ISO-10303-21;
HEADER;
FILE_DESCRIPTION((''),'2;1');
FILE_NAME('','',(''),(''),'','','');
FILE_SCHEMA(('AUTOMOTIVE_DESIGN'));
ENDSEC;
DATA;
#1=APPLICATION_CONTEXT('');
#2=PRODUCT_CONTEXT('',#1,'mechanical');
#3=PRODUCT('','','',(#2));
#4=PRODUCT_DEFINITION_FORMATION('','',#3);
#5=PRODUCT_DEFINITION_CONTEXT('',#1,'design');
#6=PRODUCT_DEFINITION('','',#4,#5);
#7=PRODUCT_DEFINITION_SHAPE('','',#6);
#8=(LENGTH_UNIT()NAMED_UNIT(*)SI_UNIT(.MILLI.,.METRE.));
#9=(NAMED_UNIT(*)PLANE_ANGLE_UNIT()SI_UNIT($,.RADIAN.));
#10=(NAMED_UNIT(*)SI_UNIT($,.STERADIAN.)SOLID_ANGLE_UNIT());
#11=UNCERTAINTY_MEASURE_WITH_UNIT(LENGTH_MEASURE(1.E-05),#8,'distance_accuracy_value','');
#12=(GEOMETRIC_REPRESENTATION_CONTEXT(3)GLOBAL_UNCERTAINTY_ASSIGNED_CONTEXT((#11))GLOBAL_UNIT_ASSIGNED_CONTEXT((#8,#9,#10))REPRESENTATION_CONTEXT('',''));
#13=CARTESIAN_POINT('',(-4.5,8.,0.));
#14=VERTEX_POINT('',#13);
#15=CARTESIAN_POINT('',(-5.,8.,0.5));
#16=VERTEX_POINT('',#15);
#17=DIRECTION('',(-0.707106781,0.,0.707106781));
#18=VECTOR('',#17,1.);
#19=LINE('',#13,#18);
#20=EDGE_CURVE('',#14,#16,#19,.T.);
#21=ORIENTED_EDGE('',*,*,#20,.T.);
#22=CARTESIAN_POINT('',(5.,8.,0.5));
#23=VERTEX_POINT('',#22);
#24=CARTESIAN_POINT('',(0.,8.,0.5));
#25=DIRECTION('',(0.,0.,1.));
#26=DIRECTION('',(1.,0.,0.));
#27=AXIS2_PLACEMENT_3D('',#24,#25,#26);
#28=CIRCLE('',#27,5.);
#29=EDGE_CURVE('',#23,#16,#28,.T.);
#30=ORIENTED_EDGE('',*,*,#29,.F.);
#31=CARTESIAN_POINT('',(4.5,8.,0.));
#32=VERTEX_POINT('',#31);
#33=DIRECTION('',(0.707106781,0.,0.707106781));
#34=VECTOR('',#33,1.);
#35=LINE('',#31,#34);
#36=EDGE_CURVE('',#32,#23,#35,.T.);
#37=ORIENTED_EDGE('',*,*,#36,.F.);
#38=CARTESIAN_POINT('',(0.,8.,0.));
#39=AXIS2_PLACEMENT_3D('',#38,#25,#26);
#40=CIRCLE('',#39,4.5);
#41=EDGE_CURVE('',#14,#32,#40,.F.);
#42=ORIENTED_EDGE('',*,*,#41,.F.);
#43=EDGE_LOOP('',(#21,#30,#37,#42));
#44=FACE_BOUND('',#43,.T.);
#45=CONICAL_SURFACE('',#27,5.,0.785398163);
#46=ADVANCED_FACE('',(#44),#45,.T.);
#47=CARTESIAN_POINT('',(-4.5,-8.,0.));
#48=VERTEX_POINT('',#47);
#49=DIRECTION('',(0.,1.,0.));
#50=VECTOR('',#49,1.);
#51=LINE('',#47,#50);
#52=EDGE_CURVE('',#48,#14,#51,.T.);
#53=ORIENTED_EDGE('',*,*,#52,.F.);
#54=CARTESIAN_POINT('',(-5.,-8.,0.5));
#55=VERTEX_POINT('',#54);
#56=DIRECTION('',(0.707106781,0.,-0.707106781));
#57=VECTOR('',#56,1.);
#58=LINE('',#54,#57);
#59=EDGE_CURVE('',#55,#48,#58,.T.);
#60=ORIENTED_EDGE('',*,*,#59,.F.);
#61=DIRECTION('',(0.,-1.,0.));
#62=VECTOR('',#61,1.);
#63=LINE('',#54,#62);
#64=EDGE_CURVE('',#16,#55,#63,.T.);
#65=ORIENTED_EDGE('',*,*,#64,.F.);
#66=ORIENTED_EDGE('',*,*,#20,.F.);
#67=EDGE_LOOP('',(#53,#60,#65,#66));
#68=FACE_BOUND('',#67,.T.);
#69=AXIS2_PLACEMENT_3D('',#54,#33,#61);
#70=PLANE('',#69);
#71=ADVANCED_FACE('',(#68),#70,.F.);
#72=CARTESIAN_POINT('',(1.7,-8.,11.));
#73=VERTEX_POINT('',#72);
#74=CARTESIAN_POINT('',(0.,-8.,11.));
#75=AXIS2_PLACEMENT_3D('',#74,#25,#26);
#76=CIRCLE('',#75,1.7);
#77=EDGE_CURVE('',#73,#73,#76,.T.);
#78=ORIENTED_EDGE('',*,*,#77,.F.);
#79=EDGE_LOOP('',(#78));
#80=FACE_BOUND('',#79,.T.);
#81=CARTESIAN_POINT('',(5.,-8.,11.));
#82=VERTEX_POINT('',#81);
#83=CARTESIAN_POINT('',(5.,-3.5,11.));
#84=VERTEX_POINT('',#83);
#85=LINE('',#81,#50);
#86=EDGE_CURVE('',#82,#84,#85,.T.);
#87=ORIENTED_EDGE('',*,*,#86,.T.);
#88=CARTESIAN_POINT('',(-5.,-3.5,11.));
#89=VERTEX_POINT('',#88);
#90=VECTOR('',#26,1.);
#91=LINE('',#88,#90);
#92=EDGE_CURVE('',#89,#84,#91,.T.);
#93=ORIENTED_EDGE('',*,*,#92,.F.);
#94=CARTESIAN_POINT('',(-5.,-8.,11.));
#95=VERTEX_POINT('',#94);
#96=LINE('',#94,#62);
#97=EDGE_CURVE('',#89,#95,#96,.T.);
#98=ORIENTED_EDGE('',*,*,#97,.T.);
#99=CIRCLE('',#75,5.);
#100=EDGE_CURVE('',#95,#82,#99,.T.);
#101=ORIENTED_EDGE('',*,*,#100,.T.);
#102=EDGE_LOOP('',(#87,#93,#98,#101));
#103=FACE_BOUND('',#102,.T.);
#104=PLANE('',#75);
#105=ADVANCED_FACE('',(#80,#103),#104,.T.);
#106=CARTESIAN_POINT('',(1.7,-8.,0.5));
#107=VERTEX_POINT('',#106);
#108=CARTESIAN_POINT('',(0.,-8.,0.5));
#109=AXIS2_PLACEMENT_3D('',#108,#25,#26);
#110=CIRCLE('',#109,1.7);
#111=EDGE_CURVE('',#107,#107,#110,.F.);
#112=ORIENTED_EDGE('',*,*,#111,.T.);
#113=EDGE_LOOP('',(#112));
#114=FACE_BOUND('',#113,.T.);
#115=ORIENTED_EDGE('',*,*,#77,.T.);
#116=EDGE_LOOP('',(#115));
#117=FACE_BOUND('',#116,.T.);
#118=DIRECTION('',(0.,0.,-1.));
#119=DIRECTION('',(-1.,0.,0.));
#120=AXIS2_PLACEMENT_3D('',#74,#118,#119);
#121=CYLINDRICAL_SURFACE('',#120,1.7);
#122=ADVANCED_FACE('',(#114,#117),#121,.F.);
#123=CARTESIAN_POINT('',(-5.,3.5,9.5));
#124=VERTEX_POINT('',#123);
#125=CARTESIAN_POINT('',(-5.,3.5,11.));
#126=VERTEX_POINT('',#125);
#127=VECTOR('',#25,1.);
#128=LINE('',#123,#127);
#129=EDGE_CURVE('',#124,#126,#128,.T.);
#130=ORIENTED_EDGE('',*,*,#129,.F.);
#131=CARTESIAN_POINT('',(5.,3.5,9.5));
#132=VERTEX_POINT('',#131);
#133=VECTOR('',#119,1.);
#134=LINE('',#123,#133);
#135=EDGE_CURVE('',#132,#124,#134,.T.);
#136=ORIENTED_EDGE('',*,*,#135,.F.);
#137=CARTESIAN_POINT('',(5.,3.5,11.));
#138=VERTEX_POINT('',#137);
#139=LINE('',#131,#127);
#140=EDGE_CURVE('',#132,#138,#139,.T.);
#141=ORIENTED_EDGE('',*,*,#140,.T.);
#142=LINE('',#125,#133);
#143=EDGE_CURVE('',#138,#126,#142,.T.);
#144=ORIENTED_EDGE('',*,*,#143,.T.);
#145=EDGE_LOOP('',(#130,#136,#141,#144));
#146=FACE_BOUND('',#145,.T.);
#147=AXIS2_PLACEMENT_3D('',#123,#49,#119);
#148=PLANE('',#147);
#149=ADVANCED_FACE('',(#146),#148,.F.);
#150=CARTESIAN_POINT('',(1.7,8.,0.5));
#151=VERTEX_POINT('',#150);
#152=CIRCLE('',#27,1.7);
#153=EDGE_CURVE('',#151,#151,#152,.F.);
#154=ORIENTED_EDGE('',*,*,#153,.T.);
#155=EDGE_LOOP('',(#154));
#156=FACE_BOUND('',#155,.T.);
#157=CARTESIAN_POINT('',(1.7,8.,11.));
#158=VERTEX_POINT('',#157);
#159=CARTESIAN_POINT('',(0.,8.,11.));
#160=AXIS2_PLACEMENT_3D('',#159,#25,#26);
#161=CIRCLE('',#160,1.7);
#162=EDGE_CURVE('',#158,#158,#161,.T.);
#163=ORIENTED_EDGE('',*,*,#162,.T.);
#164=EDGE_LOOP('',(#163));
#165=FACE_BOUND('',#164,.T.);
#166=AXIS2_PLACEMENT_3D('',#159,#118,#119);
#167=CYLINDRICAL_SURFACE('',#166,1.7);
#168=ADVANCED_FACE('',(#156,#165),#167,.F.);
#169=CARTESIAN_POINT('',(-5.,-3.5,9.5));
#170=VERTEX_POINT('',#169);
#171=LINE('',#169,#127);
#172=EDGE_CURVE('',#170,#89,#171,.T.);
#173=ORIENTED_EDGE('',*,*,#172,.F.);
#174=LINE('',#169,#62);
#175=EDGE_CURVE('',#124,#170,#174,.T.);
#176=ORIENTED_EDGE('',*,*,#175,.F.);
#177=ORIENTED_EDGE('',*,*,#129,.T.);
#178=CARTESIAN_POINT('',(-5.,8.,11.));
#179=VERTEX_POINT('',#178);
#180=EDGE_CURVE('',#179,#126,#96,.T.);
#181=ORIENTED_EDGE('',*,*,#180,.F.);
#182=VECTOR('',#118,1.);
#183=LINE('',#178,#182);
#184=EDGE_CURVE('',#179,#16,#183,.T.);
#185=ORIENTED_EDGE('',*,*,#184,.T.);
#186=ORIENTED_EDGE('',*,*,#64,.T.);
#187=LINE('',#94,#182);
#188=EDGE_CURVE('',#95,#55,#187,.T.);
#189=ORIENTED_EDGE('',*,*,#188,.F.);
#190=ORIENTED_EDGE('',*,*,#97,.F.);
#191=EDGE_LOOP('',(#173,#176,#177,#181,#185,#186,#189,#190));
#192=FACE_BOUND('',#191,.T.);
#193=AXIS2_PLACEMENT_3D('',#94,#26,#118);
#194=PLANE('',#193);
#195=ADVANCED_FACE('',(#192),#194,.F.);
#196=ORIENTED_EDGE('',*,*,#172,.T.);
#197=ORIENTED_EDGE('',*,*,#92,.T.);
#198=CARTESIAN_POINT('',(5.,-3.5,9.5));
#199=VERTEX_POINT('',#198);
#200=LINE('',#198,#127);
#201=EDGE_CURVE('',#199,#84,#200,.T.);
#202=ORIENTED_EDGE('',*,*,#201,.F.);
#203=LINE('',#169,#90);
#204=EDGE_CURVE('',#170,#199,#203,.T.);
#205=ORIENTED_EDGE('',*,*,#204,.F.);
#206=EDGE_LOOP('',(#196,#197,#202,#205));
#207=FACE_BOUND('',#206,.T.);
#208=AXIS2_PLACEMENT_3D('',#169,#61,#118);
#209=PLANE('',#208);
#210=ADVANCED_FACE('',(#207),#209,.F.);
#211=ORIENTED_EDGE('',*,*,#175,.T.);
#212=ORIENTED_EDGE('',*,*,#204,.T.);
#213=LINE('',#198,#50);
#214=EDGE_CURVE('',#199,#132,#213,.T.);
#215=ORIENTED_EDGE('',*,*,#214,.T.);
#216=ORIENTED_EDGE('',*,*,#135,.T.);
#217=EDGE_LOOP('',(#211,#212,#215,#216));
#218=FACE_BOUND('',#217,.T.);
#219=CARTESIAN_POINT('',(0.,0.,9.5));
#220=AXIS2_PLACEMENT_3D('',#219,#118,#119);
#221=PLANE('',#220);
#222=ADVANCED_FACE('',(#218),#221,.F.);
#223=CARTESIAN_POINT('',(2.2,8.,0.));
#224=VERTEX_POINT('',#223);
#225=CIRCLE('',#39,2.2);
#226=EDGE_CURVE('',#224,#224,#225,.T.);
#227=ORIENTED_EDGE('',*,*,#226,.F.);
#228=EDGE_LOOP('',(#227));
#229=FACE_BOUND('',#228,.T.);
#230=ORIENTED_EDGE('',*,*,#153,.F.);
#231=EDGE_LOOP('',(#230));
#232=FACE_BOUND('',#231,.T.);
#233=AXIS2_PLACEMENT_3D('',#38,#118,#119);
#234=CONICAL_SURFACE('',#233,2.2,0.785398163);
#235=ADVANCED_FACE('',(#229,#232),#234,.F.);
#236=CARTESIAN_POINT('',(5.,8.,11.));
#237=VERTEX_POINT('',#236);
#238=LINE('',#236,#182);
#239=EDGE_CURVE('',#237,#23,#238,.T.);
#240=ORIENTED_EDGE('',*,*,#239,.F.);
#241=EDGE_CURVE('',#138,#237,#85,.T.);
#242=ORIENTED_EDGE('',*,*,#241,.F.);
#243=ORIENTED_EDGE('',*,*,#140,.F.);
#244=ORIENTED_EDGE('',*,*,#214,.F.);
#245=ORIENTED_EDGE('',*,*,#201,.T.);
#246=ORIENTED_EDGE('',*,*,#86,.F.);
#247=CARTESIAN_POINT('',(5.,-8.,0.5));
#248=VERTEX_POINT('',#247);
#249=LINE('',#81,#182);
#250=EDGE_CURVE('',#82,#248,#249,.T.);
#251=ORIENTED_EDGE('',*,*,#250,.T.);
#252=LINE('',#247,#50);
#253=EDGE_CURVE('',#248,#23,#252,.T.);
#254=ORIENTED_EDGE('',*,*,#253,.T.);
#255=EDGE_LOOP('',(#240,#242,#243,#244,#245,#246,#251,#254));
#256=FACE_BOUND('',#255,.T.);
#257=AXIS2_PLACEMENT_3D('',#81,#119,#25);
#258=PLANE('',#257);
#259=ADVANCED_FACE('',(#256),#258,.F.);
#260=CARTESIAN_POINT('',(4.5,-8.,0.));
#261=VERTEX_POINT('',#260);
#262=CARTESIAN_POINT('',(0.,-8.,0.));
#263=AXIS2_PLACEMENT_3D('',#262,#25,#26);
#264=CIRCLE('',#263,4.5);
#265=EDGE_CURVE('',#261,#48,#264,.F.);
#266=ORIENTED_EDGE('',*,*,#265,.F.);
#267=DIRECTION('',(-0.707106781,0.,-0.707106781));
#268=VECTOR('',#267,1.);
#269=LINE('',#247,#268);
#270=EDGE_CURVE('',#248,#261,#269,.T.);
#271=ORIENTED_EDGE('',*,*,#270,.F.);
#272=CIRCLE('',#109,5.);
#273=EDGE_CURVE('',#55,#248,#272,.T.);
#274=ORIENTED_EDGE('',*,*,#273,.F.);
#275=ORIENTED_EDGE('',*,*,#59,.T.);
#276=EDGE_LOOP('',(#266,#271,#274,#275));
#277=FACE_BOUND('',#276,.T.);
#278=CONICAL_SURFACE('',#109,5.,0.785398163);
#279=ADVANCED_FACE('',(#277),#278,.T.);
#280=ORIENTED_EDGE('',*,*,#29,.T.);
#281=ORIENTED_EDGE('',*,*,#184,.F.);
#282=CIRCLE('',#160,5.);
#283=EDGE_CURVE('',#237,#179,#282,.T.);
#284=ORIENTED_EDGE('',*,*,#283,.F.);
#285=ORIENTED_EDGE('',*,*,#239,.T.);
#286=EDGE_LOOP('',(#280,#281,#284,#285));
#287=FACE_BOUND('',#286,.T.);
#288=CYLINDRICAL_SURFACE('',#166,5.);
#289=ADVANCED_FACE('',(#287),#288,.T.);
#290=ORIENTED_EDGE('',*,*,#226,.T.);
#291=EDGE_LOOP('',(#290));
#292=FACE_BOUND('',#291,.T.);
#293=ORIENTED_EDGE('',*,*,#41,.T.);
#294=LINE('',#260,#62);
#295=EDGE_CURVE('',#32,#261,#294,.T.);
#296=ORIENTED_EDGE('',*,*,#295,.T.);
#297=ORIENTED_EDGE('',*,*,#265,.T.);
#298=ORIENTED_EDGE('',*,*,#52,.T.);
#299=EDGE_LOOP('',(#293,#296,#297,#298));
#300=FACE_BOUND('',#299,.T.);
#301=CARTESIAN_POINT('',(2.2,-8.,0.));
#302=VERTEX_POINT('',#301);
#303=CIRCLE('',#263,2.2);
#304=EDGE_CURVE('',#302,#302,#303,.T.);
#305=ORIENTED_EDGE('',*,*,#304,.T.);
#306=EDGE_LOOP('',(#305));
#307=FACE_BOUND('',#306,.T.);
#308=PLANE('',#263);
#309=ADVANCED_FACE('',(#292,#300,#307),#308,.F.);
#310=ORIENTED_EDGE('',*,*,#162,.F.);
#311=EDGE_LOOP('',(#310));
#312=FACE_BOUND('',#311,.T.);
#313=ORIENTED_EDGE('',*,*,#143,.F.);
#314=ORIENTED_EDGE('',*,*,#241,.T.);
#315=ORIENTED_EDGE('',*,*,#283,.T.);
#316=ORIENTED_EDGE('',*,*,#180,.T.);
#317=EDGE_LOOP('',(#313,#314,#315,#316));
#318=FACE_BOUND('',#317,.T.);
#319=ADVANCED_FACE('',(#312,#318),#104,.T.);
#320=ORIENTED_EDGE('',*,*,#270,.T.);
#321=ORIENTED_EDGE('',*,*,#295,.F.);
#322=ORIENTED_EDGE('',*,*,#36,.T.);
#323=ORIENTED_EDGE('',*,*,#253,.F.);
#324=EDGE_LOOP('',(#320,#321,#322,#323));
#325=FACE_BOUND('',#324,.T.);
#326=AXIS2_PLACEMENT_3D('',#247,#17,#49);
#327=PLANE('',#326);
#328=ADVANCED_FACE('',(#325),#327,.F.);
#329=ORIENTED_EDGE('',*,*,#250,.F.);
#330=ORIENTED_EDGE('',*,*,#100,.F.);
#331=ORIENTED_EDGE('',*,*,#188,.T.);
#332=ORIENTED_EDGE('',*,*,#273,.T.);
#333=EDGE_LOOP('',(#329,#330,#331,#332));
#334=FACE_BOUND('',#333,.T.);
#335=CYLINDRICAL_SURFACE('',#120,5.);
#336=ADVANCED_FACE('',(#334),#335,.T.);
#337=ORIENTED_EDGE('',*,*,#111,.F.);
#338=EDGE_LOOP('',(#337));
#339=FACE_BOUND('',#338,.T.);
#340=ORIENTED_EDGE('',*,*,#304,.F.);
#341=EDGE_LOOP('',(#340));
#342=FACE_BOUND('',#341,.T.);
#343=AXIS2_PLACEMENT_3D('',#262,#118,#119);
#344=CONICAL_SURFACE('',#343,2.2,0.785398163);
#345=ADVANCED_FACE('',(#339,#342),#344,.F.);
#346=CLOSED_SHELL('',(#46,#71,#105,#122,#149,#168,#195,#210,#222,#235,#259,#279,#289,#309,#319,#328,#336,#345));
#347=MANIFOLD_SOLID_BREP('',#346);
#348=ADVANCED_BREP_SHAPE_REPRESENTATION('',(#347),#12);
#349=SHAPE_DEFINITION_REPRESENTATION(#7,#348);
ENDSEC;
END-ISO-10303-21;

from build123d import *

# Parameters (mm, degrees)
SKETCH1_R           = 1.7
BOSS_EXTRUDE1_DEPTH = 11
SKETCH2_W           = 10
SKETCH2_H           = 7
CUT_EXTRUDE1_DEPTH  = 1.5
CHAMFER1_SIZE       = 0.5


with BuildPart() as part:
    # Sketch1 → Boss-Extrude1 (new body)
    with BuildSketch(Plane.XY):
        with BuildLine():
            Line((-5, -8), (-5, 8))
            ThreePointArc((-5, 8), (0, 13), (5, 8))
            Line((5, 8), (5, -8))
            ThreePointArc((5, -8), (0, -13), (-5, -8))
        make_face()
        with Locations((0, 8)):
            Circle(SKETCH1_R, mode=Mode.SUBTRACT)
        with Locations((0, -8)):
            Circle(SKETCH1_R, mode=Mode.SUBTRACT)
    extrude(amount=BOSS_EXTRUDE1_DEPTH)

    # Sketch2 → Cut-Extrude1 (cut)
    with BuildSketch(Plane.XY.offset(11)):
        Rectangle(SKETCH2_W, SKETCH2_H)
    extrude(amount=-CUT_EXTRUDE1_DEPTH, mode=Mode.SUBTRACT)

    # Chamfer1
    chamfer1_edges = [part.edges().sort_by_distance(p)[0] for p in [
        (-1.7, 8, 0),
        (-1.7, -8, 0),
        (-5, 0, 0),
        (0, 13, 0),
        (5, 0, 0),
        (0, -13, 0),
    ]]
    chamfer(chamfer1_edges, length=CHAMFER1_SIZE)


solid = part.part
